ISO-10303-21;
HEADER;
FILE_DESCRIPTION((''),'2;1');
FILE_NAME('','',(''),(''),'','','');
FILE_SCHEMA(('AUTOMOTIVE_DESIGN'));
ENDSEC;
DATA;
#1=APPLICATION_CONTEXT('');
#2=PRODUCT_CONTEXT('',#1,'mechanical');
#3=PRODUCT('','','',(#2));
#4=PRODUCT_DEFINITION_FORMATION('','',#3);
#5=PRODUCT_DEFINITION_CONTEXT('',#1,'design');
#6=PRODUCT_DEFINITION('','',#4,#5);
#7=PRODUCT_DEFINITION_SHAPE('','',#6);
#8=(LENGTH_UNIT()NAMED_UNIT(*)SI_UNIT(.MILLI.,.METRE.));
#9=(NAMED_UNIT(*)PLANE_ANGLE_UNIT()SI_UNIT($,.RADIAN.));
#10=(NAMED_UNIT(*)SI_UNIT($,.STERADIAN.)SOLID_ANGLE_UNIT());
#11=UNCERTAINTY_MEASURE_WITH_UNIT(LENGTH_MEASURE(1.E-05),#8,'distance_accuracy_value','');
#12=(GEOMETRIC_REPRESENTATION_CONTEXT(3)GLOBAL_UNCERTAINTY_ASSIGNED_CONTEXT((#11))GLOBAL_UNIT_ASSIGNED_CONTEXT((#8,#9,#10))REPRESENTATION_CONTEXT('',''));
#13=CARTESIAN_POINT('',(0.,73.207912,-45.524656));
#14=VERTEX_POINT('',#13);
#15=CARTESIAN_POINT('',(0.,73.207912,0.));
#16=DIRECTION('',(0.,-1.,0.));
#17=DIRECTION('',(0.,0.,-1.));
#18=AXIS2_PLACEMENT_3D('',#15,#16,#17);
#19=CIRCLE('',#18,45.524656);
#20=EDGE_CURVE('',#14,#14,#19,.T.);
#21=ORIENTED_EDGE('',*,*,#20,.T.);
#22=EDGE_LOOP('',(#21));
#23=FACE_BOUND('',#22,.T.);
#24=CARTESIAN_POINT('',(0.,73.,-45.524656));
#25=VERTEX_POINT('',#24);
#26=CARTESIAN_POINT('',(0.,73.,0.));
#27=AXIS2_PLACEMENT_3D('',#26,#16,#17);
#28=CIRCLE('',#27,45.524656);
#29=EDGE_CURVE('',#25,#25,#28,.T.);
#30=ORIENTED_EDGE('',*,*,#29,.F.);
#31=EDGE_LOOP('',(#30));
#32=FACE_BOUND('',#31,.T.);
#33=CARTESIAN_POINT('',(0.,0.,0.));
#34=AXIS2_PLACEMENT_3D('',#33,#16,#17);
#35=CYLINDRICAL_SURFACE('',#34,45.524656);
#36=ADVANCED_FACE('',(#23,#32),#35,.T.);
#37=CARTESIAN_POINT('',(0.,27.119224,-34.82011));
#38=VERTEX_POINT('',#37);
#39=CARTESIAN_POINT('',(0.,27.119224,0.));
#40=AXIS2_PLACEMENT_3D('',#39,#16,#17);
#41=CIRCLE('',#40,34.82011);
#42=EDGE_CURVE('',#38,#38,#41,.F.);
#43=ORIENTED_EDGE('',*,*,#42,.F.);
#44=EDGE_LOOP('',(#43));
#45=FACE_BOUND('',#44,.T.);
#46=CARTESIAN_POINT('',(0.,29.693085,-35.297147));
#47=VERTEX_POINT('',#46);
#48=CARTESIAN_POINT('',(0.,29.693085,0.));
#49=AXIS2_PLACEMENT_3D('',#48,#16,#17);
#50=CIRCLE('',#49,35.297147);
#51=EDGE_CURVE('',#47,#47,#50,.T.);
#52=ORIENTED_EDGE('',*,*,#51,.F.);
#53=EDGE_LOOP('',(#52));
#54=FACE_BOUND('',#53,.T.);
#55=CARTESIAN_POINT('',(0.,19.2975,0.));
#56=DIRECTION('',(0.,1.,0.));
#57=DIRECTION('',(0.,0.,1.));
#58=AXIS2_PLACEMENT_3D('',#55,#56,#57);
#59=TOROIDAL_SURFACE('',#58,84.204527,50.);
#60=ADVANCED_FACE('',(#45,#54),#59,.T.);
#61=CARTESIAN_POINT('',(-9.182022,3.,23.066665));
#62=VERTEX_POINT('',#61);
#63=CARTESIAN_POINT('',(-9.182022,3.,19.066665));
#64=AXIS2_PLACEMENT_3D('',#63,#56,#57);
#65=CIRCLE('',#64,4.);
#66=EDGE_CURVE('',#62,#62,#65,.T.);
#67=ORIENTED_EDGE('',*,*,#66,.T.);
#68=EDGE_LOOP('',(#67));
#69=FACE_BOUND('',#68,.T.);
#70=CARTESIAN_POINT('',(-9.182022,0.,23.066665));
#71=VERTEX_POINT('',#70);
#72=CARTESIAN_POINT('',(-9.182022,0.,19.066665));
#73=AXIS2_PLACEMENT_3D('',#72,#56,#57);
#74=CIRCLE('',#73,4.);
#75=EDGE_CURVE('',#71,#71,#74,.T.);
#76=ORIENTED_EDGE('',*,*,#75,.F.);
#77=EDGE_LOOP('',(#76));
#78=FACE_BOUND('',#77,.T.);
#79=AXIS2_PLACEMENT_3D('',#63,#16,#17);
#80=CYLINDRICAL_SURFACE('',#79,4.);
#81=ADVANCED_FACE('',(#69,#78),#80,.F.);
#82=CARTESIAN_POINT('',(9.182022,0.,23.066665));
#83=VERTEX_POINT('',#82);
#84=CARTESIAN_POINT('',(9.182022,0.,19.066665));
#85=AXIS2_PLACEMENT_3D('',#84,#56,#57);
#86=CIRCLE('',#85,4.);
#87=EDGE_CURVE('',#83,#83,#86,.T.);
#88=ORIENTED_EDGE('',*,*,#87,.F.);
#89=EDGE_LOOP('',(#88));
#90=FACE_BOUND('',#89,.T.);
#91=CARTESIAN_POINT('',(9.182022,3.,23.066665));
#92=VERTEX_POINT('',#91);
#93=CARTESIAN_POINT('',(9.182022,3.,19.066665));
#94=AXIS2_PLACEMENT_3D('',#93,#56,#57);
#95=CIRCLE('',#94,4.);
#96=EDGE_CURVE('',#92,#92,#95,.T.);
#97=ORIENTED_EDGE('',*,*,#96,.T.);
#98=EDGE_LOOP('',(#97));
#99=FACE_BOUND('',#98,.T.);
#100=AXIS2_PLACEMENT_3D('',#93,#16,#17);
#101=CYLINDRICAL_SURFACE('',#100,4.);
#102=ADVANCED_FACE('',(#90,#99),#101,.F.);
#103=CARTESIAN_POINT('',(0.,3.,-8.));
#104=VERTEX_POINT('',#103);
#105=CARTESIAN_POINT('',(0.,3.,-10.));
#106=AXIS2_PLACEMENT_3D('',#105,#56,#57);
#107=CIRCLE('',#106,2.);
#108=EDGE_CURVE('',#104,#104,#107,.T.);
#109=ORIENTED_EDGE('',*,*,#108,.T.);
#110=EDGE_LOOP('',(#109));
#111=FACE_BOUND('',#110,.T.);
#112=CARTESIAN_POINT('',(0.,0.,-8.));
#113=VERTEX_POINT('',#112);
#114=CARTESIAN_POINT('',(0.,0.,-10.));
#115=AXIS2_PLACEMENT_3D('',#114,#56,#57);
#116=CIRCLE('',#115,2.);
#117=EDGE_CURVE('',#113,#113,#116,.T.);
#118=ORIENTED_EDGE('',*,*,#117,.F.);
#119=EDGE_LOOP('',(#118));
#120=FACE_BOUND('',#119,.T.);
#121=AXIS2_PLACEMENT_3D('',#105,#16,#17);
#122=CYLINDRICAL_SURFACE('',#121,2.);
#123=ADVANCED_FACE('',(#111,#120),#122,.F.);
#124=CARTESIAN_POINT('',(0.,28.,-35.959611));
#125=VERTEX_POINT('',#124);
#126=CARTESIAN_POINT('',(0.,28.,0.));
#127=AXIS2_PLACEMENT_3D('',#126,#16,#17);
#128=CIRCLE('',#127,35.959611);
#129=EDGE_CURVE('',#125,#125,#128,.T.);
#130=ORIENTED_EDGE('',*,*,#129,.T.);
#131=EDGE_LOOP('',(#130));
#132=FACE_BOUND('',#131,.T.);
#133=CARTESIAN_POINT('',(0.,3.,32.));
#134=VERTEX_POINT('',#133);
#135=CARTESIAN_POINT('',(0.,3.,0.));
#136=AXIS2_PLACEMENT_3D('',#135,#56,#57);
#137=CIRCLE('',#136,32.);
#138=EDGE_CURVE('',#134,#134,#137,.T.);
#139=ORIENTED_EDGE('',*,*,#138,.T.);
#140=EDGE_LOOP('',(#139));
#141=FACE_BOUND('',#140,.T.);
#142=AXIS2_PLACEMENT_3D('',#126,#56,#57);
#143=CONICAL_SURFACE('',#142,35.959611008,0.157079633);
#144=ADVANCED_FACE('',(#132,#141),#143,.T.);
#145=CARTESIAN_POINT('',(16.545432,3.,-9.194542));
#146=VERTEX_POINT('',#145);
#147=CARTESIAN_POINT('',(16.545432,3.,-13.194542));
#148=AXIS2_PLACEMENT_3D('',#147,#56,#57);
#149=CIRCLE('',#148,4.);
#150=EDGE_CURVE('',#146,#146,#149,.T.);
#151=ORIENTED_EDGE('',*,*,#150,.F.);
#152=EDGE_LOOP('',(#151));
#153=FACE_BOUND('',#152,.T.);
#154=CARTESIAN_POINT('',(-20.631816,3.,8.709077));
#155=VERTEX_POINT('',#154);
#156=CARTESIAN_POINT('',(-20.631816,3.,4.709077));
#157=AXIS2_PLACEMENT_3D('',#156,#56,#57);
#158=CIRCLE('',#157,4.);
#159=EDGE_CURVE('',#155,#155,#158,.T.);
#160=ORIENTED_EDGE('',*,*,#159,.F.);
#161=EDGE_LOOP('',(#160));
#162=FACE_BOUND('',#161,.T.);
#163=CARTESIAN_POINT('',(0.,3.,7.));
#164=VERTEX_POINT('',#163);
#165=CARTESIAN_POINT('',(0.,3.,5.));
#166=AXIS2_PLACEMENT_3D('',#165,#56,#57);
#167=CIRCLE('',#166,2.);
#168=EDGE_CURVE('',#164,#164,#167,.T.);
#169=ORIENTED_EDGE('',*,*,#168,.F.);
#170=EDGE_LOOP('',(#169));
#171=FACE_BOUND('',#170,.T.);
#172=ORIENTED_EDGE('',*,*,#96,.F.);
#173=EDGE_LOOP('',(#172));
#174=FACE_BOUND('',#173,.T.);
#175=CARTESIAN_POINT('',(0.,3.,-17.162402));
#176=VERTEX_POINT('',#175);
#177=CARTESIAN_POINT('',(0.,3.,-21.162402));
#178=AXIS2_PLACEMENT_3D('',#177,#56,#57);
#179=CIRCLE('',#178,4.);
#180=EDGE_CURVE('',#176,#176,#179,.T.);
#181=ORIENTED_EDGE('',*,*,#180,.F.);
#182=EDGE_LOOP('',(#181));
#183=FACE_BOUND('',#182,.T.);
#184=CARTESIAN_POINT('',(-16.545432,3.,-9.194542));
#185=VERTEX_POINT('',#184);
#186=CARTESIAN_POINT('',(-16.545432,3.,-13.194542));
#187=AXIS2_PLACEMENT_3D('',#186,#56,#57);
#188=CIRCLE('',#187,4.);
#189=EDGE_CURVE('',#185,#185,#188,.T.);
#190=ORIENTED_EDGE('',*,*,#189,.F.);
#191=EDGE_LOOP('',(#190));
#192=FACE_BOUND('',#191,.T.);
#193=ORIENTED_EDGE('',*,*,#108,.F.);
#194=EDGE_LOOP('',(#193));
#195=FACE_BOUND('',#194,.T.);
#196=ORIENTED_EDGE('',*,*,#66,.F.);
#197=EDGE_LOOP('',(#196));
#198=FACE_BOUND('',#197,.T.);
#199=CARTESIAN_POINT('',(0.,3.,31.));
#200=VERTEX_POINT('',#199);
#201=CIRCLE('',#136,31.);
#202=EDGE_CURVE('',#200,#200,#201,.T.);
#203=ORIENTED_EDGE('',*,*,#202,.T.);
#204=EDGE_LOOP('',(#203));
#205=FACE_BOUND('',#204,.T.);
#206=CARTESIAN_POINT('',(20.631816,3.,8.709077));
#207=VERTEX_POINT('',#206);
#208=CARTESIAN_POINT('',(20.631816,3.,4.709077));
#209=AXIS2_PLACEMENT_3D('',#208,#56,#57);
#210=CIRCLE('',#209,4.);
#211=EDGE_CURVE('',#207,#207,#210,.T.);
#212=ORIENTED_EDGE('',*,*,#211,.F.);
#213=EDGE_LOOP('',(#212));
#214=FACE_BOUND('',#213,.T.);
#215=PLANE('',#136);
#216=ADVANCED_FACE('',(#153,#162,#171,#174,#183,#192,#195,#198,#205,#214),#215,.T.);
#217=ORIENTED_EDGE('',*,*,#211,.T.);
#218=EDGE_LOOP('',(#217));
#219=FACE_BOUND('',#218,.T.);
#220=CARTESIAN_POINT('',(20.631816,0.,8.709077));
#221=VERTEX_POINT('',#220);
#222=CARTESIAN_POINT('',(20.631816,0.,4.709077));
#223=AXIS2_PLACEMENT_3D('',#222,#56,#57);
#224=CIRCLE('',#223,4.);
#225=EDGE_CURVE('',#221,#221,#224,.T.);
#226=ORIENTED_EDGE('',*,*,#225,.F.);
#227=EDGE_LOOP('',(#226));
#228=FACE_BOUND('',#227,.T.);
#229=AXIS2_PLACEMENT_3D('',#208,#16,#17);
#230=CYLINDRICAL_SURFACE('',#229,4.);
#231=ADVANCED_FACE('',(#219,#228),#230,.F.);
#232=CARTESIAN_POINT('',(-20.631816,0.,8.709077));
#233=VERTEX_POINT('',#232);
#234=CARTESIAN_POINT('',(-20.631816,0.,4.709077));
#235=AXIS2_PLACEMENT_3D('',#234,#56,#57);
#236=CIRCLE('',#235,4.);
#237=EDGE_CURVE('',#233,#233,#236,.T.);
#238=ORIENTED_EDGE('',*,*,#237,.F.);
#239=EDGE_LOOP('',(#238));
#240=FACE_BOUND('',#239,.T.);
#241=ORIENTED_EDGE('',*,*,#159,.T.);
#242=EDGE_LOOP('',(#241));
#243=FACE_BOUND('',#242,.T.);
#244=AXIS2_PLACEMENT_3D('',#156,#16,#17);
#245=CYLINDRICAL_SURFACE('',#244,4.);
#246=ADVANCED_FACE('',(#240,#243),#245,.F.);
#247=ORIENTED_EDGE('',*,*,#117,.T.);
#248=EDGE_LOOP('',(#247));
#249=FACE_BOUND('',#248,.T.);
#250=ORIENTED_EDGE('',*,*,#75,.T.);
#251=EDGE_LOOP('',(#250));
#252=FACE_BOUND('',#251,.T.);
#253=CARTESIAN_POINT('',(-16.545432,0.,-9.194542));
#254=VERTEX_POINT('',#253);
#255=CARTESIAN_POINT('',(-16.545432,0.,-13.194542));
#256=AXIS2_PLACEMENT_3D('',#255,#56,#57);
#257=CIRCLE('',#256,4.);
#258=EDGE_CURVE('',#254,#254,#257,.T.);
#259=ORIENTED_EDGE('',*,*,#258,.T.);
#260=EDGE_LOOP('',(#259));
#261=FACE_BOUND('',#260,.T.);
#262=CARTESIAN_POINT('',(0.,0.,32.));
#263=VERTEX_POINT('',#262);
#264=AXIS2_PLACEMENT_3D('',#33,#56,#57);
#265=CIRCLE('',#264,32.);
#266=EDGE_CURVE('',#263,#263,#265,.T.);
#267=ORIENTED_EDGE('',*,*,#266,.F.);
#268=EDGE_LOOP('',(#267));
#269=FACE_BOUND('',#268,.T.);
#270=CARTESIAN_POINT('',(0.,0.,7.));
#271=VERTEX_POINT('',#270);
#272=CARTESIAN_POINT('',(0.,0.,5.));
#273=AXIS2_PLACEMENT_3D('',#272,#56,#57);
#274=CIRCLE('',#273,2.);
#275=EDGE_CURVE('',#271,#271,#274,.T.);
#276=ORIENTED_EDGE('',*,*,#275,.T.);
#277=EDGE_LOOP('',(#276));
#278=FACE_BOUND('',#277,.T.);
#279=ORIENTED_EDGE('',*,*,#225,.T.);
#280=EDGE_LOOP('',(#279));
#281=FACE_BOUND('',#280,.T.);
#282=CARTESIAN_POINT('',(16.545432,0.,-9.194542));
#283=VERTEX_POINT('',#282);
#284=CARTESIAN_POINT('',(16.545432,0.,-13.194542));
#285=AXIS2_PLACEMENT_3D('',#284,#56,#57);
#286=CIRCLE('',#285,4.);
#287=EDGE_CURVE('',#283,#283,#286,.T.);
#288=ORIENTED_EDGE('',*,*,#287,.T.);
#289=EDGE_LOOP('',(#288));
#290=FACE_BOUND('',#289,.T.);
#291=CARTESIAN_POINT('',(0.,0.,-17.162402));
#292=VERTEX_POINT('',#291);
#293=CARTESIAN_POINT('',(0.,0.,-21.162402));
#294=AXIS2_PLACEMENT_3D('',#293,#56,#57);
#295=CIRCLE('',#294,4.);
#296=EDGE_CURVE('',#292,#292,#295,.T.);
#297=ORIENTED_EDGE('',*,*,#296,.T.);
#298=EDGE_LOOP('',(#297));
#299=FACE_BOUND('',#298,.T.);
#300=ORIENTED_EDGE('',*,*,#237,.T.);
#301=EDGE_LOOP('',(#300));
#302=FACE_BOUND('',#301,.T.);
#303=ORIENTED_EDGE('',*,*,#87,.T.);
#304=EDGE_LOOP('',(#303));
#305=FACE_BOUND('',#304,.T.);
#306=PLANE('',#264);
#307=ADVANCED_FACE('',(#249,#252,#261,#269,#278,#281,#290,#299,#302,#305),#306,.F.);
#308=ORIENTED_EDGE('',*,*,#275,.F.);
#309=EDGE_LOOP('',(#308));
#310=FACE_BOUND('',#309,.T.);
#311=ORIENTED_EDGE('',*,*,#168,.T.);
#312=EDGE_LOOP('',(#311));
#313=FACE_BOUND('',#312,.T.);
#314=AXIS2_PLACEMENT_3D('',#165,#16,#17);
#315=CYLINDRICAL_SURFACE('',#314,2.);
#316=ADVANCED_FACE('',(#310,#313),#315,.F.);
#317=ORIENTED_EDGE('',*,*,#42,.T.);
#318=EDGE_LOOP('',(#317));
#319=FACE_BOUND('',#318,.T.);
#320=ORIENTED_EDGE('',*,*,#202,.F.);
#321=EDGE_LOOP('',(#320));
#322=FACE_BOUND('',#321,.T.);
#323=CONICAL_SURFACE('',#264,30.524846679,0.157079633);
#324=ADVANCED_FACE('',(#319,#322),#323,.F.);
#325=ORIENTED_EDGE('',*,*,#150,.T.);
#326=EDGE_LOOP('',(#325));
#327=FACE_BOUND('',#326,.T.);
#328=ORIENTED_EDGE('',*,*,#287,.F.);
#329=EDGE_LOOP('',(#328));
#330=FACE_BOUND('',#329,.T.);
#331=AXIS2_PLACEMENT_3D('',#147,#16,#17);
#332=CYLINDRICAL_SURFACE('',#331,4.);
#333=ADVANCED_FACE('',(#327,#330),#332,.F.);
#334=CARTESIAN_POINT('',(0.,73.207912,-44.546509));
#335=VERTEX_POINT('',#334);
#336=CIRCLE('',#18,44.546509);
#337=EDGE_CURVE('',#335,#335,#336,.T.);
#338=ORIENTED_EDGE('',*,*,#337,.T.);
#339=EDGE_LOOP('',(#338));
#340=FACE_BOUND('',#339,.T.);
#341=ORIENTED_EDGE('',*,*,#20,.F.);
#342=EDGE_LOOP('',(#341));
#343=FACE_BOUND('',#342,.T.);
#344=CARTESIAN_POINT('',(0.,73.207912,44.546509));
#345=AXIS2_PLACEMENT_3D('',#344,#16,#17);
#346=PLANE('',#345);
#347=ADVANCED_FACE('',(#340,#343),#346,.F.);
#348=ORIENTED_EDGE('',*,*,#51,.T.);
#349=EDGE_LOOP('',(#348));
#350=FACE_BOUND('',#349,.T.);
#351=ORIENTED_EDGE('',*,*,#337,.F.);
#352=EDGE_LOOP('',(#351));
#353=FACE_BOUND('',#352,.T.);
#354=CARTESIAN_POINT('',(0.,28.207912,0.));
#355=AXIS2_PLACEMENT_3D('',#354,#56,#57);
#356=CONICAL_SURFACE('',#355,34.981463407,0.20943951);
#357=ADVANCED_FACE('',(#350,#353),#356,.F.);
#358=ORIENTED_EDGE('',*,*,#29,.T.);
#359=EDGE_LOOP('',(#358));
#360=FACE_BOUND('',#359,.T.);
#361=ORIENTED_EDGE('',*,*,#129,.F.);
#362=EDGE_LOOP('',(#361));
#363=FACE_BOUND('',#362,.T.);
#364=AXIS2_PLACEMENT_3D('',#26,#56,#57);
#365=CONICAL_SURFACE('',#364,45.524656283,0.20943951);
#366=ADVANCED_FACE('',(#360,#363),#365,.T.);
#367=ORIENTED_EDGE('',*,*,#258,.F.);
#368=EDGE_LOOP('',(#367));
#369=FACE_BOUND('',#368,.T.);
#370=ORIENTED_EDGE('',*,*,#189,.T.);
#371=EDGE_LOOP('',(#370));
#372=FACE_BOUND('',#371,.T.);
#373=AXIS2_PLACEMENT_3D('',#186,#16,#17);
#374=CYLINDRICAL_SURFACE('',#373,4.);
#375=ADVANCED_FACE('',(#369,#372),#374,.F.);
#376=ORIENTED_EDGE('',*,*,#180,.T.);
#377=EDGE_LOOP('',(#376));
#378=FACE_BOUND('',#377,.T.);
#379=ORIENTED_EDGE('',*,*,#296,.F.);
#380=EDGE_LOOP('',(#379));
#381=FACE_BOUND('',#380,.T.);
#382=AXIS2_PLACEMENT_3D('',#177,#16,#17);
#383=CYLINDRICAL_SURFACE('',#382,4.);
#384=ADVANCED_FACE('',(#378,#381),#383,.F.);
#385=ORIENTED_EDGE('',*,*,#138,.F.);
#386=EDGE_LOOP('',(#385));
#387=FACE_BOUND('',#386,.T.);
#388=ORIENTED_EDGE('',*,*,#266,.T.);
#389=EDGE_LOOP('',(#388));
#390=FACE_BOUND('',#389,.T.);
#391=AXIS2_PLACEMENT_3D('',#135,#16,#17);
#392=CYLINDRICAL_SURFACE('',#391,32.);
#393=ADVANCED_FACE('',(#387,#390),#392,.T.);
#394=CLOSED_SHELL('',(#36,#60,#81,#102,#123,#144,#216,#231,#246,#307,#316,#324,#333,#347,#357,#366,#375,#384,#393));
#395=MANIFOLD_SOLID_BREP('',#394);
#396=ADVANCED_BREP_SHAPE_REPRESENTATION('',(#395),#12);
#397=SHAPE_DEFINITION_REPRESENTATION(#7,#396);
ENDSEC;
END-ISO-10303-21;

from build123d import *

# Parameters (mm, degrees)
SKETCH1_R           = 32
SKETCH1_R_2         = 2
SKETCH1_R_3         = 4
BOSS_EXTRUDE1_DEPTH = 3
FILLET1_R           = 50


with BuildPart() as part:
    # Sketch1 → Boss-Extrude1 (new body)
    with BuildSketch(Plane(origin=(0, 0, 0), x_dir=(1, 0, 0), z_dir=(0, 1, 0))):
        with Locations(Location((0, 0, 0), (0, 0, 270))):
            Circle(SKETCH1_R)
        with Locations(Location((0, 10, 0), (0, 0, 270))):
            Circle(SKETCH1_R_2, mode=Mode.SUBTRACT)
        with Locations(Location((0, -5, 0), (0, 0, 270))):
            Circle(SKETCH1_R_2, mode=Mode.SUBTRACT)
        with Locations(Location((0, 21.162401824, 0), (0, 0, 270))):
            Circle(SKETCH1_R_3, mode=Mode.SUBTRACT)
        with Locations(Location((16.54543199, 13.19454172, 0), (0, 0, 270))):
            Circle(SKETCH1_R_3, mode=Mode.SUBTRACT)
        with Locations(Location((20.631816227, -4.709077419, 0), (0, 0, 270))):
            Circle(SKETCH1_R_3, mode=Mode.SUBTRACT)
        with Locations(Location((9.182022032, -19.066665213, 0), (0, 0, 270))):
            Circle(SKETCH1_R_3, mode=Mode.SUBTRACT)
        with Locations(Location((-9.182022032, -19.066665213, 0), (0, 0, 270))):
            Circle(SKETCH1_R_3, mode=Mode.SUBTRACT)
        with Locations(Location((-20.631816227, -4.709077419, 0), (0, 0, 270))):
            Circle(SKETCH1_R_3, mode=Mode.SUBTRACT)
        with Locations(Location((-16.54543199, 13.19454172, 0), (0, 0, 270))):
            Circle(SKETCH1_R_3, mode=Mode.SUBTRACT)
    extrude(amount=BOSS_EXTRUDE1_DEPTH)

    # Sketch3 → Revolve2 (revolve)
    with BuildSketch(Plane(origin=(0, 0, 0), x_dir=(0, 0, -1), z_dir=(1, 0, 0))):
        Polygon((-32, 3), (-35.959611008, 28), (-34.959611008, 28), (-30.524846679, 0), (-32, 0), align=None)
    revolve(axis=Axis((0, 0, 0), (0, 1, 0)))

    # Sketch5 → Revolve3 (revolve)
    with BuildSketch(Plane(origin=(0, 0, 0), x_dir=(0, 0, -1), z_dir=(1, 0, 0)), mode=Mode.PRIVATE) as revolve3_sk:
        Polygon((-35.959611008, 28), (-45.524656283, 73), (-45.524656283, 73.207911691), (-44.546508683, 73.207911691), (-34.981463407, 28.207911691), (-34.959611008, 28), align=None)
    revolve(revolve3_sk.sketch.rotate(Axis((0, 0, 0), (0, 1, 0)), 180), axis=Axis((0, 0, 0), (0, 1, 0)))

    # Fillet1
    fillet1_edges = [part.edges().sort_by_distance(p)[0] for p in [
        (0, 28.207911691, 34.981463407),
    ]]
    fillet(fillet1_edges, radius=FILLET1_R)


solid = part.part
